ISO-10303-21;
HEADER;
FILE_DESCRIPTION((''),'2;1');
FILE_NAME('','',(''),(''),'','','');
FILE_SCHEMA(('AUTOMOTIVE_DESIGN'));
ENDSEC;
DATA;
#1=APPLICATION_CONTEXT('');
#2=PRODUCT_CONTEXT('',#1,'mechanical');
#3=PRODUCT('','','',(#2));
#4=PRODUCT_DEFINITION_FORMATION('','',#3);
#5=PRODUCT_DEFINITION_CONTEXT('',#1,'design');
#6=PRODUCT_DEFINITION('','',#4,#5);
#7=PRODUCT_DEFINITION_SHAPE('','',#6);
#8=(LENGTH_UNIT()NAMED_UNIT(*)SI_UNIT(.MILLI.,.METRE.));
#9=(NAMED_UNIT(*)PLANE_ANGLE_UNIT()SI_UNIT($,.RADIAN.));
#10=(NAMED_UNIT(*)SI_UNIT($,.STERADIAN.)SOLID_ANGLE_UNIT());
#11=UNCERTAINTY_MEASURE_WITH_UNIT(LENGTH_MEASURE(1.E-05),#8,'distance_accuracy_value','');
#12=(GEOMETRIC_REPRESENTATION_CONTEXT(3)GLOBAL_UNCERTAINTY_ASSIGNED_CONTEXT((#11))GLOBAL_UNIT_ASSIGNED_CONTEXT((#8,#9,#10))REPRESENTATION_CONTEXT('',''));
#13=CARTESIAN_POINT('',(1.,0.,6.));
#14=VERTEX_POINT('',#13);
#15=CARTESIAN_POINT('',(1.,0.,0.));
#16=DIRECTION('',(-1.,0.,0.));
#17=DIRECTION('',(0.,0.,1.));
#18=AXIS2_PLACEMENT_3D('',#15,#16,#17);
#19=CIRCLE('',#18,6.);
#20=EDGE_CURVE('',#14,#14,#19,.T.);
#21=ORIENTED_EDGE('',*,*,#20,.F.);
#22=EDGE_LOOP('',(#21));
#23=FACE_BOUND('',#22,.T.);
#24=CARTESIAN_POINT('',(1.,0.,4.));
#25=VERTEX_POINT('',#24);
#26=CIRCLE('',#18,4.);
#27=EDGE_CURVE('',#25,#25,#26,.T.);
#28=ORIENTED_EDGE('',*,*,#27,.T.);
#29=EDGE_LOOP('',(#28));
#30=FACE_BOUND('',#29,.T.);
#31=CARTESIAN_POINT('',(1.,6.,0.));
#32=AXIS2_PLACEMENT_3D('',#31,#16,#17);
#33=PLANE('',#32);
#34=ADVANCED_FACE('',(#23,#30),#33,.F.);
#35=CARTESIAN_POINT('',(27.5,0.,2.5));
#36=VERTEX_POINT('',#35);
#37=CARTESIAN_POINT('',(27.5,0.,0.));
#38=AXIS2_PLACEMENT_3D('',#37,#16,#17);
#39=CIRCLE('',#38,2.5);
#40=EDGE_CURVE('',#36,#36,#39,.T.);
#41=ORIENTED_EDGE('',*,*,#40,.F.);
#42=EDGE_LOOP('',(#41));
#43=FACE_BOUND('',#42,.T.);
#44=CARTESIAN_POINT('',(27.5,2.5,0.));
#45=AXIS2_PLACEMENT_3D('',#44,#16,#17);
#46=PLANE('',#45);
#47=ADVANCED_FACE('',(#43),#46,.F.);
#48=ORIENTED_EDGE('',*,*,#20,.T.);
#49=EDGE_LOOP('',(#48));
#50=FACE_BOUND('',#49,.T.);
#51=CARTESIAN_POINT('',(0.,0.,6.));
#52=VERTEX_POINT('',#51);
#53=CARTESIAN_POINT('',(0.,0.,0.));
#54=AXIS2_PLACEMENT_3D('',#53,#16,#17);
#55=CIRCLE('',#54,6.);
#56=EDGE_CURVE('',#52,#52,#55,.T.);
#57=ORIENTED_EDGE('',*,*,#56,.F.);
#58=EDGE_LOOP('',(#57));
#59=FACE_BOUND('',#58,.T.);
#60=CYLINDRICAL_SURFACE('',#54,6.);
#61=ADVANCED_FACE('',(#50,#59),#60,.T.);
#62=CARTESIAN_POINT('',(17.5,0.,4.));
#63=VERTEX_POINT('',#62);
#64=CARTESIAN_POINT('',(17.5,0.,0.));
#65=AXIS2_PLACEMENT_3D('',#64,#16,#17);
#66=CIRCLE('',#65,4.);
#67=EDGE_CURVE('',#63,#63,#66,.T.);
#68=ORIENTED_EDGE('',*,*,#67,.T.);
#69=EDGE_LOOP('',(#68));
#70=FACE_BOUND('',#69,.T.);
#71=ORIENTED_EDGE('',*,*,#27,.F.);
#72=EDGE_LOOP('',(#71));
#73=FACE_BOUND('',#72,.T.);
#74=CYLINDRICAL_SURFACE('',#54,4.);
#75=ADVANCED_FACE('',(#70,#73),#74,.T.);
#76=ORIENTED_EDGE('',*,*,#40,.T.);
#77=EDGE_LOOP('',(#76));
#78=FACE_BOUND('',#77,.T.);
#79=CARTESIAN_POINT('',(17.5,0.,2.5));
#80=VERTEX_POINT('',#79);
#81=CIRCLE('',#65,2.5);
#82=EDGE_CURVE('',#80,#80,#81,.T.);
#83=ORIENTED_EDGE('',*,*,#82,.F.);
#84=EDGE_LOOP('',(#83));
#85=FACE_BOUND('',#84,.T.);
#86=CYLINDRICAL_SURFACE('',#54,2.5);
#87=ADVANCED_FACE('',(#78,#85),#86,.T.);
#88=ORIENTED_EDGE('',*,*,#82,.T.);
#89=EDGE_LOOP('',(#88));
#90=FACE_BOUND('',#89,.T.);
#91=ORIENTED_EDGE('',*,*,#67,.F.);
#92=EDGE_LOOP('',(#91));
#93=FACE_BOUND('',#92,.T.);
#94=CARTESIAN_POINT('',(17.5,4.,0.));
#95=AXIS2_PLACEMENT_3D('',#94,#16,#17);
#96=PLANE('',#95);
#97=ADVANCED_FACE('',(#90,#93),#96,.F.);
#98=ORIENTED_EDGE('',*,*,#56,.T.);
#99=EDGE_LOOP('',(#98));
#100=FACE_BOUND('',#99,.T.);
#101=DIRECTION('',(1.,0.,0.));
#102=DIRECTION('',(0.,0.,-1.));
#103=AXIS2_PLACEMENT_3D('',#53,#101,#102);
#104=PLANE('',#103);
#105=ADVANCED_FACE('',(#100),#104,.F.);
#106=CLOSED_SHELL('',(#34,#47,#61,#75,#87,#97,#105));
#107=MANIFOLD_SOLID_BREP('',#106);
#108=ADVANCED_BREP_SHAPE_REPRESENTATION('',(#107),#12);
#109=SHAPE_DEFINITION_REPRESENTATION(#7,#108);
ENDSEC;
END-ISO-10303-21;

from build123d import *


with BuildPart() as part:
    # Esquisse1 → Révolution1 (revolve)
    with BuildSketch(Plane.XY):
        Polygon((0, 0), (0, 6), (1, 6), (1, 4), (17.5, 4), (17.5, 2.5), (27.5, 2.5), (27.5, 0), align=None)
    revolve(axis=Axis((0, 0, 0), (1, 0, 0)))


solid = part.part
